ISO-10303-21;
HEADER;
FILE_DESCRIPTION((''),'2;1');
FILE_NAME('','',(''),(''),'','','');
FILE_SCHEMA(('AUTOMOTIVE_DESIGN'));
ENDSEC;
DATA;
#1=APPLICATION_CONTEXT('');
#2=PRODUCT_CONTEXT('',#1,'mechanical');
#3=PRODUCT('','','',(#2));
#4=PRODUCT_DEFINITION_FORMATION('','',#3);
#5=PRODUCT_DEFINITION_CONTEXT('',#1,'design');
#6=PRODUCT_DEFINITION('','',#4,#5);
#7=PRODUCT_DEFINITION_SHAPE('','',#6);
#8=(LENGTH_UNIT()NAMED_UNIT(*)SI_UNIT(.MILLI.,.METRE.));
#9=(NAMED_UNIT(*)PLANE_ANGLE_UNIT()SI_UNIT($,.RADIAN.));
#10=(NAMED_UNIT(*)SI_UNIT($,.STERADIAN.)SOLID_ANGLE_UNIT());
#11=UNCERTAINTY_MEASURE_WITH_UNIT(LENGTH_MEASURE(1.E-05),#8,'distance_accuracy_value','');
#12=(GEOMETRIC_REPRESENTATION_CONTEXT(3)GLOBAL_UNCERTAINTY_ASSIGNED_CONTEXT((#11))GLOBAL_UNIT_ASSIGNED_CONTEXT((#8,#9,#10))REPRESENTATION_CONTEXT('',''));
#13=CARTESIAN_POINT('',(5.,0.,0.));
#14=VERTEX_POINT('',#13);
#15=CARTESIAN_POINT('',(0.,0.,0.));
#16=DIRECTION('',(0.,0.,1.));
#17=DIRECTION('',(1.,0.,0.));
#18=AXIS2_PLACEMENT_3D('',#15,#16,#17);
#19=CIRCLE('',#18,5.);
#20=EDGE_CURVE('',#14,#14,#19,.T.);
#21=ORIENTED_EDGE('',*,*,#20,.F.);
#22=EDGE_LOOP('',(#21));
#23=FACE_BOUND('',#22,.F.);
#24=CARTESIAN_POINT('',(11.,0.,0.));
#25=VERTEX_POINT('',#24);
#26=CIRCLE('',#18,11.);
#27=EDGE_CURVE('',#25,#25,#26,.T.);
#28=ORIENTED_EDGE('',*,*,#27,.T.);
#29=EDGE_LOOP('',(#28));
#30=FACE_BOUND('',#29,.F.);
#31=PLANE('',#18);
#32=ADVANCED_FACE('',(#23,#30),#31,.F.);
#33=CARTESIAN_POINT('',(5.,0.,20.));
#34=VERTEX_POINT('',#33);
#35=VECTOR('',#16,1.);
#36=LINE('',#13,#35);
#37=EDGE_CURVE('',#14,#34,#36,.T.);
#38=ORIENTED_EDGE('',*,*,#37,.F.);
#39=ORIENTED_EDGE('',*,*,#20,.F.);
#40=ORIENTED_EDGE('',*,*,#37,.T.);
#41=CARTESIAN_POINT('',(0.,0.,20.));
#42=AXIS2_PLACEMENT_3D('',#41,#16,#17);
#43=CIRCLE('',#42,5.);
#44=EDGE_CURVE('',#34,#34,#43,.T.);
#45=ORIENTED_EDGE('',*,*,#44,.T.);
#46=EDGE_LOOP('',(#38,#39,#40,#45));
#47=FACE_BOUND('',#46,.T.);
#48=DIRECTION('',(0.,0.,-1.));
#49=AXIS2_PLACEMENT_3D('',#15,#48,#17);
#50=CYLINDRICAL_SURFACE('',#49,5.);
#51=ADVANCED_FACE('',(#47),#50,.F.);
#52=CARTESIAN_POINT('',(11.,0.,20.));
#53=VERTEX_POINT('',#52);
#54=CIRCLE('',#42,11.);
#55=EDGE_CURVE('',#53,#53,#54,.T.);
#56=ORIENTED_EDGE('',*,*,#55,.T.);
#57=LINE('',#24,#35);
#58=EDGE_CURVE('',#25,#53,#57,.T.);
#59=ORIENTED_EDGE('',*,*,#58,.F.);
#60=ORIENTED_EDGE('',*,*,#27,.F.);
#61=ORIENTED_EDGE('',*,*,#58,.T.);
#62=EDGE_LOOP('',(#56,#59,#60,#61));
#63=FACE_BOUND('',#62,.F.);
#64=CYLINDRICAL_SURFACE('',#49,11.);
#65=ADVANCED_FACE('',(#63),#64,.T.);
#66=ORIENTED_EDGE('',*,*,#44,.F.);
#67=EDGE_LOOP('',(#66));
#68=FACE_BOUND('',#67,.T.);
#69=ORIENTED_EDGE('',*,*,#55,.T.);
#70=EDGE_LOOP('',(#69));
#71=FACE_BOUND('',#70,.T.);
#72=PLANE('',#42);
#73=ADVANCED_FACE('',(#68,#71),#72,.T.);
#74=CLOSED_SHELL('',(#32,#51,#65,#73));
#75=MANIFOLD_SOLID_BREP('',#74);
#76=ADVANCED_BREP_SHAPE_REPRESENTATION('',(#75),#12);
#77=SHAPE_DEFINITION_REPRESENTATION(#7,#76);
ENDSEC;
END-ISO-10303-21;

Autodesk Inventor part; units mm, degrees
ref_plane "YZ Plane" through (0, 0, 0) normal (1, 0, 0) x (0, 1, 0)
ref_plane "XZ Plane" through (0, 0, 0) normal (0, 1, 0) x (-1, 0, 0)
ref_plane "XY Plane" through (0, 0, 0) normal (0, 0, 1) x (1, 0, 0)
sketch "Sketch1" plane through (0, 0, 0) normal (0, 0, 1) x (1, 0, 0)
  circle A0 centre (0, 0) radius 5
  circle A1 centre (0, 0) radius 11
  dimension "d0" = 10
  dimension "d2" = 22
extrude "Extrusion1" add sketch "Sketch1" along normal blind 20
properties part number "trapeziodalNut10x2"
